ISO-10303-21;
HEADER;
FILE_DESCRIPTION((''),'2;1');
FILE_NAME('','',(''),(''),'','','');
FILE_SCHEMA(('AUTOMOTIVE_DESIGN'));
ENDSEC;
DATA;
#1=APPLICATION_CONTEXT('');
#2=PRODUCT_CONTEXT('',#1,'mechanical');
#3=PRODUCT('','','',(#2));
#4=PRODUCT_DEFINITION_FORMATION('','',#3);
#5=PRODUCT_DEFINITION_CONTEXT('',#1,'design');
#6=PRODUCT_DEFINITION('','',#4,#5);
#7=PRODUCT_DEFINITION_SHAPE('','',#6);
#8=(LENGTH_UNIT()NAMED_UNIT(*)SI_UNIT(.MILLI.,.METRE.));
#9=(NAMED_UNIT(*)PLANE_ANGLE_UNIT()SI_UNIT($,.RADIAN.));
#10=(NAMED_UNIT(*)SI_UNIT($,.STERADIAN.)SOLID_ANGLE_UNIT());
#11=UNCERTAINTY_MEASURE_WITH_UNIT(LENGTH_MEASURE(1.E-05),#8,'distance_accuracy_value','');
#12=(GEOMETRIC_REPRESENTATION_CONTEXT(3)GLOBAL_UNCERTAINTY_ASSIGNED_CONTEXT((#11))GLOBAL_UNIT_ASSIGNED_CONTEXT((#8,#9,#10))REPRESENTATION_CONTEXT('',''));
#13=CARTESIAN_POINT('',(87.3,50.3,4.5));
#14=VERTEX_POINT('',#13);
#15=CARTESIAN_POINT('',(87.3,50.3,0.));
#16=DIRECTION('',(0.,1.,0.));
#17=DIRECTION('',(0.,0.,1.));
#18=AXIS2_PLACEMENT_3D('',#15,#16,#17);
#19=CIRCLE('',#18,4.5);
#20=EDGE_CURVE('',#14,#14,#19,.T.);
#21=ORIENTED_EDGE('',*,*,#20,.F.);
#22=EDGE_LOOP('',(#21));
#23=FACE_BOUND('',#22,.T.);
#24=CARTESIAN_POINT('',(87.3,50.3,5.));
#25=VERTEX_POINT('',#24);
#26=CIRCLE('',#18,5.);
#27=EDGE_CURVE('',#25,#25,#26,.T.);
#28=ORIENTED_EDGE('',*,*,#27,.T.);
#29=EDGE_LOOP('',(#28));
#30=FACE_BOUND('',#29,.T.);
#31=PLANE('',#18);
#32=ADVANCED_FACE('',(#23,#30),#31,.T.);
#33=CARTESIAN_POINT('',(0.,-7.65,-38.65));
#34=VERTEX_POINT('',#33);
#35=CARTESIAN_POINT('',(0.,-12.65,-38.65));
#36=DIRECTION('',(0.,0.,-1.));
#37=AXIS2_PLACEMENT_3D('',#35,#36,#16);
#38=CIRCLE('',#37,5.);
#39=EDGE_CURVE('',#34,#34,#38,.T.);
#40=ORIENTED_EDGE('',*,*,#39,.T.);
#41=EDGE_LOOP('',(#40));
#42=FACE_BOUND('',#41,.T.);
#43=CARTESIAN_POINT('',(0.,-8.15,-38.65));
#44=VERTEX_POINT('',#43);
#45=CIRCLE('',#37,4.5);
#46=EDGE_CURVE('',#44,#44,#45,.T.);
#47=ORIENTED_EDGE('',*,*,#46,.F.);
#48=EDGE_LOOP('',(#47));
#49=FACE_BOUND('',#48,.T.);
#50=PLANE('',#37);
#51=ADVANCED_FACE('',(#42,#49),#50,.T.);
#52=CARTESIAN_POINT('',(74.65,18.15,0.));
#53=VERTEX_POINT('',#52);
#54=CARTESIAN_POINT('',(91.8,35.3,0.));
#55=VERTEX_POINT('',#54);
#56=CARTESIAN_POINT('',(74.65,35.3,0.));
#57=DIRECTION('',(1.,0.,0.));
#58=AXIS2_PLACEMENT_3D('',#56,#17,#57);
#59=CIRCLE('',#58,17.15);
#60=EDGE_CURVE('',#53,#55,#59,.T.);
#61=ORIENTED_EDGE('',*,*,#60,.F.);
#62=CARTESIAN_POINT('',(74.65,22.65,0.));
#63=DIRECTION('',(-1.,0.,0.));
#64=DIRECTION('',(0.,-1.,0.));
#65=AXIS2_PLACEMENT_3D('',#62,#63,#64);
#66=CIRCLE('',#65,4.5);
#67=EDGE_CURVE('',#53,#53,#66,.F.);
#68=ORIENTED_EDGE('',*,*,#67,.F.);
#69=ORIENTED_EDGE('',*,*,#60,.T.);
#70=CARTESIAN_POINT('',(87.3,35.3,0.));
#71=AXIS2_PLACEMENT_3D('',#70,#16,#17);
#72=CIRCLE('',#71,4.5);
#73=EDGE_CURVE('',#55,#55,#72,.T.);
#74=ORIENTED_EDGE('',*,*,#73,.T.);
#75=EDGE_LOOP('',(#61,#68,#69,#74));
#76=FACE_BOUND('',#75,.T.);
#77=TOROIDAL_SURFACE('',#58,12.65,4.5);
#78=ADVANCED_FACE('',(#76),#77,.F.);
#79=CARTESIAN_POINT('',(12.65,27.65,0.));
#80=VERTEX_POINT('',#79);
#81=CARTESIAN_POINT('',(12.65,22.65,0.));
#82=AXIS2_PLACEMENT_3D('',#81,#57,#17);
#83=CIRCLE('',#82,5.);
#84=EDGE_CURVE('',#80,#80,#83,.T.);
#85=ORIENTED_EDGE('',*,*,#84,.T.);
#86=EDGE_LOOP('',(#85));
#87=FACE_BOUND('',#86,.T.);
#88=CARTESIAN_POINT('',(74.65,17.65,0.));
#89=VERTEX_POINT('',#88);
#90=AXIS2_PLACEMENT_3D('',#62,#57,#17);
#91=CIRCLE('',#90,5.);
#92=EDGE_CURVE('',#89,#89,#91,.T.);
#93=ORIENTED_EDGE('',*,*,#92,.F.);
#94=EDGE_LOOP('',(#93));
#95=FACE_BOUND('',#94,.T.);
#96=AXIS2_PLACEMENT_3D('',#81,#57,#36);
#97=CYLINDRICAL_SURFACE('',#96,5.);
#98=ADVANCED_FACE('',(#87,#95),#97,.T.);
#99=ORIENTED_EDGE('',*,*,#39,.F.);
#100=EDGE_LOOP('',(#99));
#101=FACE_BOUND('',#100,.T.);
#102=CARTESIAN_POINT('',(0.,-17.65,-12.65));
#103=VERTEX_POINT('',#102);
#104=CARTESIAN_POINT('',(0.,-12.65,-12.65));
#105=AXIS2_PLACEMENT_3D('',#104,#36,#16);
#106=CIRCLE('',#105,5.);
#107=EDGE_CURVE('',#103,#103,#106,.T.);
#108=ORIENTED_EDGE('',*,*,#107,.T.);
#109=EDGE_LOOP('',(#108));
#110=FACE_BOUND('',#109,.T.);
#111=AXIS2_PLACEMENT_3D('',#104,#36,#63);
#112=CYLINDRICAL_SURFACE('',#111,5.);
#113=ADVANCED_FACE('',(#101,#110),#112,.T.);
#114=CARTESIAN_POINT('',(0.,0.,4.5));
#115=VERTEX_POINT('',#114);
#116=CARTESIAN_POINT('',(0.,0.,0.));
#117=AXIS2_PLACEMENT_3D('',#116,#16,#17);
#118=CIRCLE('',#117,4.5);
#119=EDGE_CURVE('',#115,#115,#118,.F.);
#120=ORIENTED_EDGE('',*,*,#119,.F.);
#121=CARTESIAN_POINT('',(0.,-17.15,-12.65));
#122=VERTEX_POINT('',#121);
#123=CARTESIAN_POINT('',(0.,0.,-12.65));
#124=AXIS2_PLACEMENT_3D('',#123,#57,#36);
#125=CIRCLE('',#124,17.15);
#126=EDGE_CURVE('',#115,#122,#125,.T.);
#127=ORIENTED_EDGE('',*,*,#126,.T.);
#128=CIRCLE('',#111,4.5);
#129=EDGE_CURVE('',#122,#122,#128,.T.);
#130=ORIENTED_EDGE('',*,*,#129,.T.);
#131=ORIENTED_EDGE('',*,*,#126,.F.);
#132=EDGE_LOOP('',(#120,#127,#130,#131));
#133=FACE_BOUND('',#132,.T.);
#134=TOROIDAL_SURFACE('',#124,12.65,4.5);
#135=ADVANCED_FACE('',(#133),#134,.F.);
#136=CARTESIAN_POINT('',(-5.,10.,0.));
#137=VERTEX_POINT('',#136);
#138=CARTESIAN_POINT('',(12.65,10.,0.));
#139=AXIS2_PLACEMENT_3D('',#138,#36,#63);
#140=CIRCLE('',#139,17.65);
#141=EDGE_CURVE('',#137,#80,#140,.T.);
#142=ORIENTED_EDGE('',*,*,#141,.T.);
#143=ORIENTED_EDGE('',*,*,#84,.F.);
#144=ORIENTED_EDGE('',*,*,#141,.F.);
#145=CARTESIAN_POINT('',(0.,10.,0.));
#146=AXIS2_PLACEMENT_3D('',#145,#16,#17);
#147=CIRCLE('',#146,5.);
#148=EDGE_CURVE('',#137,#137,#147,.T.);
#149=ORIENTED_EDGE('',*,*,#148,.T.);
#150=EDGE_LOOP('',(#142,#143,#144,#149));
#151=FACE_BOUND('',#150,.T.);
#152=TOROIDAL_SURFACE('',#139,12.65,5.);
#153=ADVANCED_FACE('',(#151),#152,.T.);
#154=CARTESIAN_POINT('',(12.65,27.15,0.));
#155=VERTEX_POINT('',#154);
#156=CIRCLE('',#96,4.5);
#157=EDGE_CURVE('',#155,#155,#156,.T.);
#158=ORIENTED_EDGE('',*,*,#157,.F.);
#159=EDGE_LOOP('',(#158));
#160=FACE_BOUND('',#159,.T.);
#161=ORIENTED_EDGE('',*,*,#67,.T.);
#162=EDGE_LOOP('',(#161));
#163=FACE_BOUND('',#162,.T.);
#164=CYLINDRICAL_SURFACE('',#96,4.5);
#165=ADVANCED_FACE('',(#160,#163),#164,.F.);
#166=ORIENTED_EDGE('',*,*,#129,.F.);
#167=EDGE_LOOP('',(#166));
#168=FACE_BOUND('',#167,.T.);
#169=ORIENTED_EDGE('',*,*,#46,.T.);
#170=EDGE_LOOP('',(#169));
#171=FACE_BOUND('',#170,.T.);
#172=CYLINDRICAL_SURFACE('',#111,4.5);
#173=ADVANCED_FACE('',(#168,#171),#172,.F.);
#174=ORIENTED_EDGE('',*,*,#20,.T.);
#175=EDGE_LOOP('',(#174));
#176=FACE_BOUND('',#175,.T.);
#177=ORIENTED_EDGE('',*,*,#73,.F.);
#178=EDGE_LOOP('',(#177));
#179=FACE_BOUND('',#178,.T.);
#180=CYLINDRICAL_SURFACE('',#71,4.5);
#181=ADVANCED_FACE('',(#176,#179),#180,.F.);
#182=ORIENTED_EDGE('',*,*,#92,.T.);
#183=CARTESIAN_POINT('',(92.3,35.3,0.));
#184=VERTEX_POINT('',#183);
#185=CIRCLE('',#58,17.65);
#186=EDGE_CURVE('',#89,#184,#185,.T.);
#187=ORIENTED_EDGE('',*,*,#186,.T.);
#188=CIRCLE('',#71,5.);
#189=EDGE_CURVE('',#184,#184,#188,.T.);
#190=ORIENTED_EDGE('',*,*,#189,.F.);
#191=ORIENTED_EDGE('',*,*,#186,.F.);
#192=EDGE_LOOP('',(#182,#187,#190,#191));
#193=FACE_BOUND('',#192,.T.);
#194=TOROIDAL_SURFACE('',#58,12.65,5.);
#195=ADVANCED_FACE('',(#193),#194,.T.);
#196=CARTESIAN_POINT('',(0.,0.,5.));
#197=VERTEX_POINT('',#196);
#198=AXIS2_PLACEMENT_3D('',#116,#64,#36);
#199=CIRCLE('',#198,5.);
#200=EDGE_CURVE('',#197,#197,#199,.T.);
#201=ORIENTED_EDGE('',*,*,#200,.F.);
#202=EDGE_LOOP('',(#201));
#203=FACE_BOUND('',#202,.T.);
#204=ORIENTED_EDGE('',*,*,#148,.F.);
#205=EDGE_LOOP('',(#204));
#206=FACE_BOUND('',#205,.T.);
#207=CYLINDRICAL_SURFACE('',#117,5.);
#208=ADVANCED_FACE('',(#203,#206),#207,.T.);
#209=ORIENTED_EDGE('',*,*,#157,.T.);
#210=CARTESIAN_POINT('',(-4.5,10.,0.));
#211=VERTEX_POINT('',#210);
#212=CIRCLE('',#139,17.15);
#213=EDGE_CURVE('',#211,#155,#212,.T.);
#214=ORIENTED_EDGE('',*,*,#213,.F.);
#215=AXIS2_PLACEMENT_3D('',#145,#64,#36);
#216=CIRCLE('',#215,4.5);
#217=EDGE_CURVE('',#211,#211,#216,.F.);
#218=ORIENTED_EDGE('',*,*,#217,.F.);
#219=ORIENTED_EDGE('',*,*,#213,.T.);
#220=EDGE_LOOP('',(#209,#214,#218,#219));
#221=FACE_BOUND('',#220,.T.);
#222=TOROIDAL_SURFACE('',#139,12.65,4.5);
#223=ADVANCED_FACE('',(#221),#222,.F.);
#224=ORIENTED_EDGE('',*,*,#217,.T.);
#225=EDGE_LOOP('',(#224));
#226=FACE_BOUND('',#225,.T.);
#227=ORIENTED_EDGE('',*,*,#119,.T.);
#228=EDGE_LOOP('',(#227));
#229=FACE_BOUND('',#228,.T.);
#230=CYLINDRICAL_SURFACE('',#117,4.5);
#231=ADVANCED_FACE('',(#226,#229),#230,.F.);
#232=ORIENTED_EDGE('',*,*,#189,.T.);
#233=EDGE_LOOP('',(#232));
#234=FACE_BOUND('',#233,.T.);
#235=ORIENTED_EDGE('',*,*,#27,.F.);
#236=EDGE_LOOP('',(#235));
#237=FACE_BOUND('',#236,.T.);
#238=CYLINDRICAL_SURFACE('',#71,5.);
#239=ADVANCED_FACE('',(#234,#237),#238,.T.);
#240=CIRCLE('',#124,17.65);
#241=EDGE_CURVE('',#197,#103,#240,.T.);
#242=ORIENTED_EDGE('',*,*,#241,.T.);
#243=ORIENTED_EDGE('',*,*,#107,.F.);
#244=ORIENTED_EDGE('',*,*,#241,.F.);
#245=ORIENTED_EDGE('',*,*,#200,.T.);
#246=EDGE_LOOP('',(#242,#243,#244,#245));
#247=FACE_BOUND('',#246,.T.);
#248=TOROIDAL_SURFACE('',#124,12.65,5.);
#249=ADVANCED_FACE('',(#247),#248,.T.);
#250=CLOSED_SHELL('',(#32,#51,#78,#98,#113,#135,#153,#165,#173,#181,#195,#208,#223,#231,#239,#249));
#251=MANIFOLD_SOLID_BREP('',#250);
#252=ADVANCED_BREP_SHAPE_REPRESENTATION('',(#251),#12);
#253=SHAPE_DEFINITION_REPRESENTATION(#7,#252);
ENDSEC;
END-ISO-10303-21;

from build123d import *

# Parameters (mm, degrees)
SKETCH1_R = 5
SKETCH3_R = 5
SHELL1_T  = -0.5


with BuildPart() as part:
    # Sweep1: sweep along a path in Sketch2
    with BuildLine(Plane.XY) as sweep1_path:
        Line((0, 0), (0, 10))
        ThreePointArc((0, 10), (3.705099218, 18.944900782), (12.65, 22.65))
        Line((12.65, 22.65), (74.65, 22.65))
        ThreePointArc((74.65, 22.65), (83.594900782, 26.355099218), (87.3, 35.3))
        Line((87.3, 35.3), (87.3, 50.3))
    # Sketch1 → Sweep1 (sweep)
    with BuildSketch(Plane(origin=(0, 0, 0), x_dir=(1, 0, 0), z_dir=(0, 1, 0))):
        Circle(SKETCH1_R)
    sweep(path=sweep1_path.line)

    # Sweep2: sweep along a path in Sketch5
    with BuildLine(Plane(origin=(0, 0, 0), x_dir=(0, 0, -1), z_dir=(1, 0, 0))) as sweep2_path:
        Line((38.65, -12.65), (12.65, -12.65))
        ThreePointArc((12.65, -12.65), (3.705099218, -8.944900782), (0, 0))
    # Sketch3 → Sweep2 (sweep)
    with BuildSketch(Plane.XZ):
        Circle(SKETCH3_R)
    sweep(path=sweep2_path.line)

    # Shell1
    shell1_openings = [part.faces().sort_by_distance(p)[0] for p in [
        (0, -12.65, -38.65),
        (87.3, 50.3, 0),
    ]]
    offset(amount=SHELL1_T, openings=shell1_openings, kind=Kind.INTERSECTION)


solid = part.part
